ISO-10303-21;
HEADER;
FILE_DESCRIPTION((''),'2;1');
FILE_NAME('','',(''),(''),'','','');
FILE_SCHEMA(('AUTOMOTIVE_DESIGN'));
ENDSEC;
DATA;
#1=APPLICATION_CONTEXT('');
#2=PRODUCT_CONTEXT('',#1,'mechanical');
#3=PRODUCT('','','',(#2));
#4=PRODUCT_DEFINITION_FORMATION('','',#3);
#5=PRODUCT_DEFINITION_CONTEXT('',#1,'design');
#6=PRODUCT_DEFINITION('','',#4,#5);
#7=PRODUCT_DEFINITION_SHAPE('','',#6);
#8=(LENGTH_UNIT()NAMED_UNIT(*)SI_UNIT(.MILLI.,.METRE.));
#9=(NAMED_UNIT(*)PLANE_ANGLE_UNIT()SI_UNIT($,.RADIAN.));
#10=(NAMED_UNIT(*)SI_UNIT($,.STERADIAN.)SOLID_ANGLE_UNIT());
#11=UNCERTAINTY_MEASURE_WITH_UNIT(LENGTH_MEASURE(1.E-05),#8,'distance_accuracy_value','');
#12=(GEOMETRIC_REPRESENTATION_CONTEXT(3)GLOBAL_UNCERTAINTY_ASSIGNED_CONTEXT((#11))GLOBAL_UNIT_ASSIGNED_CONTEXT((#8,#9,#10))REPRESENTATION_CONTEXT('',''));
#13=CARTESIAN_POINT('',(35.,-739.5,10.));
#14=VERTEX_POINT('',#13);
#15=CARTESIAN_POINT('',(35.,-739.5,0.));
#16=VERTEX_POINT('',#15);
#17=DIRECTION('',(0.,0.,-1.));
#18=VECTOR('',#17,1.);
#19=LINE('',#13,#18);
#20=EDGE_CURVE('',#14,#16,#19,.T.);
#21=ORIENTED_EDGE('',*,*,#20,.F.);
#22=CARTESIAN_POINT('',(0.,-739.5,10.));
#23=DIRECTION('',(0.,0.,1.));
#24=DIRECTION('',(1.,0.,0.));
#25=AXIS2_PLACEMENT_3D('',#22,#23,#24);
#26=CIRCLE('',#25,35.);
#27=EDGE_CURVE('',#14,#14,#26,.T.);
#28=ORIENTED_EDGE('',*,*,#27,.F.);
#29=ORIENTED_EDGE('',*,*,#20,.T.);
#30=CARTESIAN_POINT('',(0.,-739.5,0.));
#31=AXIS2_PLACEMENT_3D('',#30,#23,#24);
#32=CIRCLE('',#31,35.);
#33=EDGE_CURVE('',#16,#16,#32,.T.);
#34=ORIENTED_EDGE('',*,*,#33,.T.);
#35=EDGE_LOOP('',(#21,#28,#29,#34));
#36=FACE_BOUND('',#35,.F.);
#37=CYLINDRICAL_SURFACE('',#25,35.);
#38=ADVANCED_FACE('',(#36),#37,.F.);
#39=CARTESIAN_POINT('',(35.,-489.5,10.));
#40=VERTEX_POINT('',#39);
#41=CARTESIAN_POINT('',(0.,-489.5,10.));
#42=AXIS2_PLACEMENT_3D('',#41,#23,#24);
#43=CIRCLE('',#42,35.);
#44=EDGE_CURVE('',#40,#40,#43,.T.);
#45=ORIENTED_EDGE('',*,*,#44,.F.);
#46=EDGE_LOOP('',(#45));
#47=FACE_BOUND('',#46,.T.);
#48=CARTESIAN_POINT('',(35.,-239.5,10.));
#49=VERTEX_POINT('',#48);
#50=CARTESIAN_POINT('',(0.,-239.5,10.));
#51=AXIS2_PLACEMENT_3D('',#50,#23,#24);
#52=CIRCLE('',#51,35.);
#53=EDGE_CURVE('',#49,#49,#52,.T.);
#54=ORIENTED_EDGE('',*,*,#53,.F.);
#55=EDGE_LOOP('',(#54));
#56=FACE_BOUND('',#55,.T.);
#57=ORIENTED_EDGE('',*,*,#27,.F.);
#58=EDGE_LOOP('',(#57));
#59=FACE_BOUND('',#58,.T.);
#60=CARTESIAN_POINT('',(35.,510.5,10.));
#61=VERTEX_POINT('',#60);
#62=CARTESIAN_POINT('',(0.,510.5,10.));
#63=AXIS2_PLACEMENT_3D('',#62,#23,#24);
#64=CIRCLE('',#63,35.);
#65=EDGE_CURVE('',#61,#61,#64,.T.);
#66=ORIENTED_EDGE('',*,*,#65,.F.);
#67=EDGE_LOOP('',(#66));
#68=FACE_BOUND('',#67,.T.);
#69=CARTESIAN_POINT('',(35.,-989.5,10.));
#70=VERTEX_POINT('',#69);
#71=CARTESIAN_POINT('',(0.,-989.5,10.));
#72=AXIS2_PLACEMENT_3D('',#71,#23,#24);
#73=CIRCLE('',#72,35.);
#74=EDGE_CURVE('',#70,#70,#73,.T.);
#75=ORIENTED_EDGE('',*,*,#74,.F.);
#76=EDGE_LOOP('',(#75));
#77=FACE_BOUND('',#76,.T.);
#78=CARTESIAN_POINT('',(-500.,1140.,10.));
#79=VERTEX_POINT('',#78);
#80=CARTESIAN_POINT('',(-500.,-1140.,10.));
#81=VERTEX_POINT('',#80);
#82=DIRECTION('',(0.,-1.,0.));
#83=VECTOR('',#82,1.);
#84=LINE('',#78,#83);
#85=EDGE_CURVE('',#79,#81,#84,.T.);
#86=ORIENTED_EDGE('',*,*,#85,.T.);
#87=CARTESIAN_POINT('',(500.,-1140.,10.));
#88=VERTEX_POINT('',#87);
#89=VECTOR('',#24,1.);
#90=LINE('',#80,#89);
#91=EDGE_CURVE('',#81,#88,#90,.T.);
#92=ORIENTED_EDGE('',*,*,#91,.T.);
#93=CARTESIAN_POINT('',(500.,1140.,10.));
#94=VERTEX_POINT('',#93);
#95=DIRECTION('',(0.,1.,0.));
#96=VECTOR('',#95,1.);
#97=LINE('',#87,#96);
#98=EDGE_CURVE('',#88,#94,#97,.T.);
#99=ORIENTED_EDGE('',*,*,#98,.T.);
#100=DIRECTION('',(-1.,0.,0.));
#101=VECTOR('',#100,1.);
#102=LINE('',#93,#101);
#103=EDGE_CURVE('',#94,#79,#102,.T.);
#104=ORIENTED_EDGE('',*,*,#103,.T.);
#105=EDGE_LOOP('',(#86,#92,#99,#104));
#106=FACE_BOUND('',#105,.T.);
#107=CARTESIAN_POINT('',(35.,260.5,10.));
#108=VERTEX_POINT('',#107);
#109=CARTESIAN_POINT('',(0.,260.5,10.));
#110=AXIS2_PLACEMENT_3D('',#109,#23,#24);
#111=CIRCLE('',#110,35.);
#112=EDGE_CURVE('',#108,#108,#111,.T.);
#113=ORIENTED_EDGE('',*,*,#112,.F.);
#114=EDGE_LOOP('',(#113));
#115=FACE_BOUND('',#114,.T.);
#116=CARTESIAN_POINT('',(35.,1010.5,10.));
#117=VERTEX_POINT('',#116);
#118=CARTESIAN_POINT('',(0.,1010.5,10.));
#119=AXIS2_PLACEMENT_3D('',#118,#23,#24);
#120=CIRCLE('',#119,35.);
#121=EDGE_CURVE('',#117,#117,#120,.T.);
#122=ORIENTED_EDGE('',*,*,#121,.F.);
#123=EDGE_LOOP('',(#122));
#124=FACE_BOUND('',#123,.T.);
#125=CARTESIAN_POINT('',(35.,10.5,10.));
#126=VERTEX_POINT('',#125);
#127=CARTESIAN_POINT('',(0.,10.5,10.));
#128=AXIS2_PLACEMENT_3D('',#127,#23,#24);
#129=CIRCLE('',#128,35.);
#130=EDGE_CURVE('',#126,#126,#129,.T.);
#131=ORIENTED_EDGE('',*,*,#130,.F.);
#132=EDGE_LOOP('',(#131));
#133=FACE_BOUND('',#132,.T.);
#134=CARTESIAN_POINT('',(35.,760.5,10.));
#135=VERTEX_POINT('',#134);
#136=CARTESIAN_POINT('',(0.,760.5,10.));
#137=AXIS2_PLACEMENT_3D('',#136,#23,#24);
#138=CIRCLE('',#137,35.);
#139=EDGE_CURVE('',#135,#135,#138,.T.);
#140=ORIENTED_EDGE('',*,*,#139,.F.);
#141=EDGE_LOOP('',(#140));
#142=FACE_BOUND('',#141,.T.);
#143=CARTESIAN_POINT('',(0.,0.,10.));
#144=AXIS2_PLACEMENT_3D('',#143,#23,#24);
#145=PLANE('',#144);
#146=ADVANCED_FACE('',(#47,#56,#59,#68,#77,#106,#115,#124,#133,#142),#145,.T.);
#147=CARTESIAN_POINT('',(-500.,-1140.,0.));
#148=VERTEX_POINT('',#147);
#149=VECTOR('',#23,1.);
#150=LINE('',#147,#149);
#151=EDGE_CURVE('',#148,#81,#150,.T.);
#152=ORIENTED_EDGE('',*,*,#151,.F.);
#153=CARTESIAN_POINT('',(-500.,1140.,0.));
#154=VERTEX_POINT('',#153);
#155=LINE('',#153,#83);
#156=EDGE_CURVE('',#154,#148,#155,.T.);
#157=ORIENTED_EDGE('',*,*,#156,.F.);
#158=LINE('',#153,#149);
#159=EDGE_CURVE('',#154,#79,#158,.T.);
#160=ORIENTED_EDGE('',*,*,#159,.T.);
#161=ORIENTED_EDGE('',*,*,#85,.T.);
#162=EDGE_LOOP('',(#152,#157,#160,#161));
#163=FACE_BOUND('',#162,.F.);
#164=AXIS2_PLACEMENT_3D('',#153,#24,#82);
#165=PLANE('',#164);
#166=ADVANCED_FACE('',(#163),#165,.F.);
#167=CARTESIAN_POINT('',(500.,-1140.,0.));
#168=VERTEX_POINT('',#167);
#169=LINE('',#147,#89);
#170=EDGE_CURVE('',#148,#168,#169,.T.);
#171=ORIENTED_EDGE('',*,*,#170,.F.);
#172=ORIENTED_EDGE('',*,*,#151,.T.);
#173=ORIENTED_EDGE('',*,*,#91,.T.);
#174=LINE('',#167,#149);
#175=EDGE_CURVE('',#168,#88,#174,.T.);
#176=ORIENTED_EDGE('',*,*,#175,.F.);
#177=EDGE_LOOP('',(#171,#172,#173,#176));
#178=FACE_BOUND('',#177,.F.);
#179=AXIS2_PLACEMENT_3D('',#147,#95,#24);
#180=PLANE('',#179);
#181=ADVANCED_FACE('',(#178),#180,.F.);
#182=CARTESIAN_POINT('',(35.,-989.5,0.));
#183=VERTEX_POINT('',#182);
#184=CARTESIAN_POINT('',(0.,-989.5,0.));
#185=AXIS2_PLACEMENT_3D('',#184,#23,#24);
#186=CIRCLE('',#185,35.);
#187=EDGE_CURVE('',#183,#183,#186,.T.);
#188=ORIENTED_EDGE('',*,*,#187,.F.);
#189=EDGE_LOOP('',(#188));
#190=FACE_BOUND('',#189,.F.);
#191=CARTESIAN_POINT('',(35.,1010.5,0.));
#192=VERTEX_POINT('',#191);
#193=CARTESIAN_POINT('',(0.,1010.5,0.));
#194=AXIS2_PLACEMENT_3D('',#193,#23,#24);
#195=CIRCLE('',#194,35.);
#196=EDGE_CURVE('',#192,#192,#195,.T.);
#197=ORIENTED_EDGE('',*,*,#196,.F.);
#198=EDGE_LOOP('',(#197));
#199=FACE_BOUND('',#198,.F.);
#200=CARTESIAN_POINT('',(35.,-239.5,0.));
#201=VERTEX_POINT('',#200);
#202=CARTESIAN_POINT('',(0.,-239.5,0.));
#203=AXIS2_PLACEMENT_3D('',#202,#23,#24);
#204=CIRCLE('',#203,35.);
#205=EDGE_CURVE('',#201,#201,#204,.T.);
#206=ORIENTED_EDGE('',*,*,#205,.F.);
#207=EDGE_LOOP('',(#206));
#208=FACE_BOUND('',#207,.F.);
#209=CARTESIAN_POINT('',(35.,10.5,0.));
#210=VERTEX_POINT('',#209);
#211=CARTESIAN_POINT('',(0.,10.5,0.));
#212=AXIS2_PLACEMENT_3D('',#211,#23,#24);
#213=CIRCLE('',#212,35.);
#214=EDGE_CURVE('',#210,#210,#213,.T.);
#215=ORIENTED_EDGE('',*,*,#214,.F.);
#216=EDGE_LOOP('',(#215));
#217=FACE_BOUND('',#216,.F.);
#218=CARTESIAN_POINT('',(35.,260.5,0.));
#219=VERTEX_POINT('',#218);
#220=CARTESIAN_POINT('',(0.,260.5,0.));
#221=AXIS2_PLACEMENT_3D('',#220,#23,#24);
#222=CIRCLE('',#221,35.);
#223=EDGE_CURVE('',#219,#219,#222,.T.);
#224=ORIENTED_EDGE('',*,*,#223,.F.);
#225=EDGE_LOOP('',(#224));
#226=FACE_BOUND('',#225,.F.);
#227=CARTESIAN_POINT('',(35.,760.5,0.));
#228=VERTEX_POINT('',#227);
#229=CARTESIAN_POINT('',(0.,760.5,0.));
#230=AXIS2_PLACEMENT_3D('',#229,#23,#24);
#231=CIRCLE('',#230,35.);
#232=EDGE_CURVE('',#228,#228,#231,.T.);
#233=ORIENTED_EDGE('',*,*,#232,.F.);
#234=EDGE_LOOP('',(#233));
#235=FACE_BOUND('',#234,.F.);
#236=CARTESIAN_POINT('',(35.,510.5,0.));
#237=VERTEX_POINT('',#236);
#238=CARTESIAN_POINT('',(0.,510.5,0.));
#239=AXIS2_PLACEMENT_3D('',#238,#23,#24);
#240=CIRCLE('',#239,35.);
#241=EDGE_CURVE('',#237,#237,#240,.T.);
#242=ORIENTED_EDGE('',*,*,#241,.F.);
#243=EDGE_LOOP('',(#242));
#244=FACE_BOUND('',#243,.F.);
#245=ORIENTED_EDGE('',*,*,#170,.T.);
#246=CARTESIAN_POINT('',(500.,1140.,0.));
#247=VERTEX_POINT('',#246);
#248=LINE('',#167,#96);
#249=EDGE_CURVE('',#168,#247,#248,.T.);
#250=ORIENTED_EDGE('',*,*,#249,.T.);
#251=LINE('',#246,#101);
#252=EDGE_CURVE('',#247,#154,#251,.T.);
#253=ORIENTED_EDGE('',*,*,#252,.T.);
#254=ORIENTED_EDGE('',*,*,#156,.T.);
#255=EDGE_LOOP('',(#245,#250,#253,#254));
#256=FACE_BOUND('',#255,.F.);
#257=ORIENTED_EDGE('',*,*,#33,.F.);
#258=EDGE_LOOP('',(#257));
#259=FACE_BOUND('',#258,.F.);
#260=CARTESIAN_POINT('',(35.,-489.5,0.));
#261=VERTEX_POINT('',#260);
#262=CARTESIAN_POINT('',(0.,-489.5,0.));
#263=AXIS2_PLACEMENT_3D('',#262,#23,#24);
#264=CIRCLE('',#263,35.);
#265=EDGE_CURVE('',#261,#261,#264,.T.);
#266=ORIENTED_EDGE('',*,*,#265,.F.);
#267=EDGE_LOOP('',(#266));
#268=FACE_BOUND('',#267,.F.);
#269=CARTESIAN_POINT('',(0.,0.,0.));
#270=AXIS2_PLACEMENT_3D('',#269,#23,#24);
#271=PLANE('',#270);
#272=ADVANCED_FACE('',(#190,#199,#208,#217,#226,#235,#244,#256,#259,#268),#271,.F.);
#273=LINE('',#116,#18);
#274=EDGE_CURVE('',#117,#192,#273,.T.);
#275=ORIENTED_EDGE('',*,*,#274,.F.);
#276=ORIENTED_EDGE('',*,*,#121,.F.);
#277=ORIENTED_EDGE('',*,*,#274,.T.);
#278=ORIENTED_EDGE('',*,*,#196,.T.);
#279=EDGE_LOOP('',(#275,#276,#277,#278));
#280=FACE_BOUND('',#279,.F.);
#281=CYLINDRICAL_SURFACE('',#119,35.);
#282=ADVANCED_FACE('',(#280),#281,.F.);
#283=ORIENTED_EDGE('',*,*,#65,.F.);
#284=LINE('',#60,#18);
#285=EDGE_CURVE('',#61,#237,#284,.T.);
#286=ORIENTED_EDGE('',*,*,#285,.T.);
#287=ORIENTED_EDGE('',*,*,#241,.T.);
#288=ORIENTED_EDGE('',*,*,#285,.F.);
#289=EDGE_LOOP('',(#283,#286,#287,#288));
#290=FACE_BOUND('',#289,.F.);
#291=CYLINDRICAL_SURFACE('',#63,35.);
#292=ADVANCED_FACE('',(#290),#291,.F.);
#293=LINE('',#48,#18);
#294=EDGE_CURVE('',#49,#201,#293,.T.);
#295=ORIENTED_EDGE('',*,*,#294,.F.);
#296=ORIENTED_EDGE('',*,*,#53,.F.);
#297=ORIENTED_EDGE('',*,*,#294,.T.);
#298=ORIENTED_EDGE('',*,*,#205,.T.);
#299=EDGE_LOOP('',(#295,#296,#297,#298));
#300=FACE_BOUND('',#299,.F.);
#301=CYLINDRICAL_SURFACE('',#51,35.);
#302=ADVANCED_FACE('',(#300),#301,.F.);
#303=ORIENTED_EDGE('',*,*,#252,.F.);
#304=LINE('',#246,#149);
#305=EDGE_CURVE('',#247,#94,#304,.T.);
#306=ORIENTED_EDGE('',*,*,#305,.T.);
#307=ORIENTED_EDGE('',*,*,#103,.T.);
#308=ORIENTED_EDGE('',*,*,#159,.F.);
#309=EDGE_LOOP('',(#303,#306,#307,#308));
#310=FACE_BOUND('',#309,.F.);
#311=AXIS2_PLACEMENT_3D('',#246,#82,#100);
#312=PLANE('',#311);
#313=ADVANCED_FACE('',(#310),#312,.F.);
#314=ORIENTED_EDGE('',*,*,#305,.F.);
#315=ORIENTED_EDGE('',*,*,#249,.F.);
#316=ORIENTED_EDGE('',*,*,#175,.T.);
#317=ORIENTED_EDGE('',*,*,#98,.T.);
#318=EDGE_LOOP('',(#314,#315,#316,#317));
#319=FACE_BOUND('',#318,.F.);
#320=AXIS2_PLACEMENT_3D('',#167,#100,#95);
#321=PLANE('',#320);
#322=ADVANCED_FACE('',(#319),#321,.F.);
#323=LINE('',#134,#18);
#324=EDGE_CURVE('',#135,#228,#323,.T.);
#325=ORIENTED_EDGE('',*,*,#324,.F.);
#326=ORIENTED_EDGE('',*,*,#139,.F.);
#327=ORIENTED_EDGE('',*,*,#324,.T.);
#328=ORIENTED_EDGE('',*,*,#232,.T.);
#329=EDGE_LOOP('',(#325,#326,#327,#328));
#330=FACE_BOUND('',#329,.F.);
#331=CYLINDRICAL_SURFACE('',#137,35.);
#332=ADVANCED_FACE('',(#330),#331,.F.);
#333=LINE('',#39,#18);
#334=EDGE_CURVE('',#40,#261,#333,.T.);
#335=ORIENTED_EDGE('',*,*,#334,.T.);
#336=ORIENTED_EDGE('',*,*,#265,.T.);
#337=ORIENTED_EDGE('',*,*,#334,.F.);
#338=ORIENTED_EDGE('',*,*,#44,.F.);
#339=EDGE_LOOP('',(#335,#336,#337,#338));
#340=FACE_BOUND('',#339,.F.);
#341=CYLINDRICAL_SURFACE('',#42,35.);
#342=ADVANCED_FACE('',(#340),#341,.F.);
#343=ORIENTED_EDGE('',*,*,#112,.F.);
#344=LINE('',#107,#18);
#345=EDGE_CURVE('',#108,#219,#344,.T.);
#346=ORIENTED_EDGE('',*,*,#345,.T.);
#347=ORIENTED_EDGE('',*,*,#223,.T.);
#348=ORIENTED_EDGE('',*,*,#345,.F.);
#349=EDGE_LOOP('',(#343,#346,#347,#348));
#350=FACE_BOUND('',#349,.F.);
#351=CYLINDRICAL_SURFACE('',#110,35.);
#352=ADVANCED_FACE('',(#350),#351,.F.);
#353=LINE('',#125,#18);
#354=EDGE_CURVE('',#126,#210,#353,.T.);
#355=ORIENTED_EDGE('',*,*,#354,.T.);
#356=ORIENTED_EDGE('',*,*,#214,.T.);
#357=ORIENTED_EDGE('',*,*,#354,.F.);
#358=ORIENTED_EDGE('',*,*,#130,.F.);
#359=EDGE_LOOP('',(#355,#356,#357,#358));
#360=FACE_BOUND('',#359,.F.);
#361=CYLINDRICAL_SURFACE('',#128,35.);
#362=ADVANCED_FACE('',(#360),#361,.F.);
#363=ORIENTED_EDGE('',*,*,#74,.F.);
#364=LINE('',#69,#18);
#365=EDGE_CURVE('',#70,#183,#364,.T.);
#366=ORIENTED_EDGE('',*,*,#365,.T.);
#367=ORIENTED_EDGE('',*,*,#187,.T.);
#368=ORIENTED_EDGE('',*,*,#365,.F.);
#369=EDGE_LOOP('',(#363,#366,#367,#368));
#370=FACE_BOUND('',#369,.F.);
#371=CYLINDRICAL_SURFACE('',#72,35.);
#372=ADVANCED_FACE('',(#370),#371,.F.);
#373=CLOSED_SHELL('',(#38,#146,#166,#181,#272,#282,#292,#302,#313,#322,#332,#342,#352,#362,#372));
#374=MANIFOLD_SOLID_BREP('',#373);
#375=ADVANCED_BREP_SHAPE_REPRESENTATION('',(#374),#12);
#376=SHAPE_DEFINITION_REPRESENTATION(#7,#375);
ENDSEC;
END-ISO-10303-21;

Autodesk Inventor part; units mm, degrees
ref_plane "YZ Plane" through (0, 0, 0) normal (1, 0, 0) x (0, 1, 0)
ref_plane "XZ Plane" through (0, 0, 0) normal (0, 1, 0) x (-1, 0, 0)
ref_plane "XY Plane" through (0, 0, 0) normal (0, 0, 1) x (1, 0, 0)
sketch "Sketch1" plane through (0, 0, 0) normal (0, 0, 1) x (1, 0, 0)
  line L0 (-500, -1140) -> (500, -1140)
  line L1 (500, -1140) -> (500, 1140)
  line L2 (500, 1140) -> (-500, 1140)
  line L3 (-500, 1140) -> (-500, -1140)
  line L4 (-500, -1140) -> (500, 1140) construction
  line L5 (500, -1140) -> (-500, 1140) construction
  point P0 (0, 0)
  dimension "d0" = 1000
  dimension "d1" = 2280
extrude "Plate1" add sketch "Sketch1" along normal blind 10
sketch "Sketch2" plane through (0, 0, 10) normal (0, 0, 1) x (1, 0, 0)
  line L0 (500, -1140) -> (-500, -1140) projected
  line L1 (500, 1140) -> (500, -1140) projected
  line L2 (-500, 1140) -> (500, 1140) projected
  line L3 (-500, -1140) -> (-500, 1140) projected
  circle A0 centre (0, -989.5) radius 35
  point P0 (0, 0)
  point P1 (0, -1140)
  dimension "d3" = 70
  dimension "d4" = 150.5
extrude "Extrusion1" cut sketch "Sketch2" against normal through all contours A0
pattern_linear "Rectangular Pattern1" count 9 spacing 250 along (0, 1, 0) of "Extrusion1"
equation "\"d2\" = Thickness"
equation "\"BendReliefDepth\" = 0.5 * Thickness"
equation "\"Thickness\" = 10"
properties part number "ДМФ 067 крышка"
